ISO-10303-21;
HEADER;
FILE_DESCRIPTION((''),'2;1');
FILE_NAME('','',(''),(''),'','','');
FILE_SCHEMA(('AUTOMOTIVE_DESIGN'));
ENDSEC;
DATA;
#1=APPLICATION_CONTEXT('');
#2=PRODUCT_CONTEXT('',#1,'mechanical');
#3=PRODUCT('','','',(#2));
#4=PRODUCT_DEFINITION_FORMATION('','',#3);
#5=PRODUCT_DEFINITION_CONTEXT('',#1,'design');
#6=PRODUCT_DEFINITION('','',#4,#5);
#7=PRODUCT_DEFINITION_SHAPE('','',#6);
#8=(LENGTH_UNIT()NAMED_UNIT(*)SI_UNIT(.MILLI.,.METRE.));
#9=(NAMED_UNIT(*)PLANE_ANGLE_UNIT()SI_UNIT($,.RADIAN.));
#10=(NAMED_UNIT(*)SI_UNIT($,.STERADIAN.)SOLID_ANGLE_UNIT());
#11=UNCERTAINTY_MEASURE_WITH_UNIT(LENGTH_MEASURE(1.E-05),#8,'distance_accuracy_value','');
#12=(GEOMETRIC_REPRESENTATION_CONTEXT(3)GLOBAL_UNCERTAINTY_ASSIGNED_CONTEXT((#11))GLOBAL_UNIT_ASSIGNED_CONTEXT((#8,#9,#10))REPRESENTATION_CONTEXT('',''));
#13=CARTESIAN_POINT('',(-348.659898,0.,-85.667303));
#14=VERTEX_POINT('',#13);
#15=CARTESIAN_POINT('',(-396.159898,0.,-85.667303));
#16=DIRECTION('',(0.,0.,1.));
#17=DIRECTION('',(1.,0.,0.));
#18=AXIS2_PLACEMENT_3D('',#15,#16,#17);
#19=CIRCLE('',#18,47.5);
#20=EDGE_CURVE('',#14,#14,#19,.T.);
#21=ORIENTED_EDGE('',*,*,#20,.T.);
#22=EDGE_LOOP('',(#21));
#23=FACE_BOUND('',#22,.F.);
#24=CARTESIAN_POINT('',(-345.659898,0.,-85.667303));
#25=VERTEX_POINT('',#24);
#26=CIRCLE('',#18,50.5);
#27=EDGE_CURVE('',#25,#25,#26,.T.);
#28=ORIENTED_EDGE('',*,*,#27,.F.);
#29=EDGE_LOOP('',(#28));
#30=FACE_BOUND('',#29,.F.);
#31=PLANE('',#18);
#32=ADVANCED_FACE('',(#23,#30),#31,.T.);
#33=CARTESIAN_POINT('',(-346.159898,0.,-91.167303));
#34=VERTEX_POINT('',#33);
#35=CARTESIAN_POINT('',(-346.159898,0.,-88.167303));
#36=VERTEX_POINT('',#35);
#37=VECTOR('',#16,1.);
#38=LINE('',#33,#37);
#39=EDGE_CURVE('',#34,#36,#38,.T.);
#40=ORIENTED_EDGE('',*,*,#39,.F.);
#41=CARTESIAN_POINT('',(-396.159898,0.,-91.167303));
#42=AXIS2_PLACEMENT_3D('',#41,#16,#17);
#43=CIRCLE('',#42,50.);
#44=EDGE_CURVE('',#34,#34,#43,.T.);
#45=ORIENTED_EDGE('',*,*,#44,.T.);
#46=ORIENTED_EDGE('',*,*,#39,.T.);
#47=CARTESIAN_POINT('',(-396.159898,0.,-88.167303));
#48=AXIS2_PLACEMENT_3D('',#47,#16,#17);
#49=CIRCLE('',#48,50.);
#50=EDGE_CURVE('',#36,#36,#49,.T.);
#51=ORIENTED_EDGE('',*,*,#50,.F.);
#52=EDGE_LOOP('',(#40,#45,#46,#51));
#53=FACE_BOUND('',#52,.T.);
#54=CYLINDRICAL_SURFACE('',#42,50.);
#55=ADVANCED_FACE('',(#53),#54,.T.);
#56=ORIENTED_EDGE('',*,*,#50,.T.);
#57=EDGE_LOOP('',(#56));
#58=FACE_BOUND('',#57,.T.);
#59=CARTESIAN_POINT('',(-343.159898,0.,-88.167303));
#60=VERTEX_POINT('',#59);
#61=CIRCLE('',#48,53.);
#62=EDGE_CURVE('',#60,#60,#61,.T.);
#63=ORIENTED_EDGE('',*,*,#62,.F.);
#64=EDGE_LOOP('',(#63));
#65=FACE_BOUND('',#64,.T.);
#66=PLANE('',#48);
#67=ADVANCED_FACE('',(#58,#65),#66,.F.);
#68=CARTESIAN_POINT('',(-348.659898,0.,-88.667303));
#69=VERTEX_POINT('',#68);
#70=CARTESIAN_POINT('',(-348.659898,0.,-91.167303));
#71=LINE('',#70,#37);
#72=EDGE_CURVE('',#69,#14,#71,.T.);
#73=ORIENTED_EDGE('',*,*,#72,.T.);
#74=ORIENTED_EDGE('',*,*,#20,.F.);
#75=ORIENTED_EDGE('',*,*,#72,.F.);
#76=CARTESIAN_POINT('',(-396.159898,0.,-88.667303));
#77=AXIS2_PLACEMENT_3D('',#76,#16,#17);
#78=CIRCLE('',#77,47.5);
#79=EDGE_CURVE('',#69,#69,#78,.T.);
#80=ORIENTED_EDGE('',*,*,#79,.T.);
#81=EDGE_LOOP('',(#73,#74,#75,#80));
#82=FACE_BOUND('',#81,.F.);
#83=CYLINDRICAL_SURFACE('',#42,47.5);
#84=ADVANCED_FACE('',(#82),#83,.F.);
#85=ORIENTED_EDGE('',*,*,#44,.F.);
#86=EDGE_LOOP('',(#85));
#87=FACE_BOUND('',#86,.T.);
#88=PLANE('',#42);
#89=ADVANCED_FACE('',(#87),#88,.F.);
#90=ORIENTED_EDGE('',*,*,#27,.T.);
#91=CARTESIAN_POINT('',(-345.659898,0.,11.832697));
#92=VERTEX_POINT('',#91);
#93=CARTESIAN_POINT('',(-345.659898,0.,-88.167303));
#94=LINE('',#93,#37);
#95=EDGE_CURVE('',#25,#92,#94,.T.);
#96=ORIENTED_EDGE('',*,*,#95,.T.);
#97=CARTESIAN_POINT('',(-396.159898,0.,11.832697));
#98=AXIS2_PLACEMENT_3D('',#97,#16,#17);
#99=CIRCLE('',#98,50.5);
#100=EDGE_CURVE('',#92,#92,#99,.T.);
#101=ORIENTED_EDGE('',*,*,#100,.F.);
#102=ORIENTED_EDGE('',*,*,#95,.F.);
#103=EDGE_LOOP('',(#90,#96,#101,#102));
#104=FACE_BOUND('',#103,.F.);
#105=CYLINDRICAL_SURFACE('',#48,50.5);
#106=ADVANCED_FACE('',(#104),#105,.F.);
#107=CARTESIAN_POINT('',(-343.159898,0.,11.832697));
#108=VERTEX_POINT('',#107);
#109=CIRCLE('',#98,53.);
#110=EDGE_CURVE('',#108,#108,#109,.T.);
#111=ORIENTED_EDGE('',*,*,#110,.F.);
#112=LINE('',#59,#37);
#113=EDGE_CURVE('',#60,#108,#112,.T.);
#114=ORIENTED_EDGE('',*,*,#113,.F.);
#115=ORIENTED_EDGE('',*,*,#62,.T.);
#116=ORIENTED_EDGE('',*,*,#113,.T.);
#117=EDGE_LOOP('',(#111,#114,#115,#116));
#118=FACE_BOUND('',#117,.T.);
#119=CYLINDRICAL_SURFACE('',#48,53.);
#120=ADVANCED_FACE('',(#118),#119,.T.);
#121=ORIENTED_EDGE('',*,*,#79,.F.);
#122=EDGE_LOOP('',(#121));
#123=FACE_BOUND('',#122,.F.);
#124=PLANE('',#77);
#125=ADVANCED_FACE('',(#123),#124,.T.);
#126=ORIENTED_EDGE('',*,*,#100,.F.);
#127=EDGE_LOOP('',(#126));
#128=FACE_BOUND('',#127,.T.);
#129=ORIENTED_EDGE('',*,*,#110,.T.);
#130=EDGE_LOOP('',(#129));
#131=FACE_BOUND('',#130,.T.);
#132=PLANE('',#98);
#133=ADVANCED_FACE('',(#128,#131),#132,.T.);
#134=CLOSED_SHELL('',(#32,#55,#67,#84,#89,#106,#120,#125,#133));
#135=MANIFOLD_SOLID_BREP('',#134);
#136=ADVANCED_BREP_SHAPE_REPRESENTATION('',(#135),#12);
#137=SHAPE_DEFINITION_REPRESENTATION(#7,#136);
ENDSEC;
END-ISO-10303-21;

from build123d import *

# Parameters (mm, degrees)
F2_T = -2.5


with BuildPart() as f1:
    # F0 (on Front) → F1 (revolve)
    with BuildSketch(Plane.XZ):
        Polygon((-343.1598980381, -88.1673034342), (-343.1598980381, 11.8326965658), (-396.1598980381, 11.8326965658), (-396.1598980381, -91.1673034342), (-346.1598980381, -91.1673034342), (-346.1598980381, -88.1673034342), align=None)
    revolve(axis=Axis((-396.1598980381, 0, -39.6673034342), (0, 0, 1)))

    # F2
    f2_openings = [f1.faces().sort_by_distance(p)[0] for p in [
        (-396.159898, 0, 11.832697),
    ]]
    offset(amount=F2_T, openings=f2_openings, kind=Kind.INTERSECTION)


solid = f1.part
